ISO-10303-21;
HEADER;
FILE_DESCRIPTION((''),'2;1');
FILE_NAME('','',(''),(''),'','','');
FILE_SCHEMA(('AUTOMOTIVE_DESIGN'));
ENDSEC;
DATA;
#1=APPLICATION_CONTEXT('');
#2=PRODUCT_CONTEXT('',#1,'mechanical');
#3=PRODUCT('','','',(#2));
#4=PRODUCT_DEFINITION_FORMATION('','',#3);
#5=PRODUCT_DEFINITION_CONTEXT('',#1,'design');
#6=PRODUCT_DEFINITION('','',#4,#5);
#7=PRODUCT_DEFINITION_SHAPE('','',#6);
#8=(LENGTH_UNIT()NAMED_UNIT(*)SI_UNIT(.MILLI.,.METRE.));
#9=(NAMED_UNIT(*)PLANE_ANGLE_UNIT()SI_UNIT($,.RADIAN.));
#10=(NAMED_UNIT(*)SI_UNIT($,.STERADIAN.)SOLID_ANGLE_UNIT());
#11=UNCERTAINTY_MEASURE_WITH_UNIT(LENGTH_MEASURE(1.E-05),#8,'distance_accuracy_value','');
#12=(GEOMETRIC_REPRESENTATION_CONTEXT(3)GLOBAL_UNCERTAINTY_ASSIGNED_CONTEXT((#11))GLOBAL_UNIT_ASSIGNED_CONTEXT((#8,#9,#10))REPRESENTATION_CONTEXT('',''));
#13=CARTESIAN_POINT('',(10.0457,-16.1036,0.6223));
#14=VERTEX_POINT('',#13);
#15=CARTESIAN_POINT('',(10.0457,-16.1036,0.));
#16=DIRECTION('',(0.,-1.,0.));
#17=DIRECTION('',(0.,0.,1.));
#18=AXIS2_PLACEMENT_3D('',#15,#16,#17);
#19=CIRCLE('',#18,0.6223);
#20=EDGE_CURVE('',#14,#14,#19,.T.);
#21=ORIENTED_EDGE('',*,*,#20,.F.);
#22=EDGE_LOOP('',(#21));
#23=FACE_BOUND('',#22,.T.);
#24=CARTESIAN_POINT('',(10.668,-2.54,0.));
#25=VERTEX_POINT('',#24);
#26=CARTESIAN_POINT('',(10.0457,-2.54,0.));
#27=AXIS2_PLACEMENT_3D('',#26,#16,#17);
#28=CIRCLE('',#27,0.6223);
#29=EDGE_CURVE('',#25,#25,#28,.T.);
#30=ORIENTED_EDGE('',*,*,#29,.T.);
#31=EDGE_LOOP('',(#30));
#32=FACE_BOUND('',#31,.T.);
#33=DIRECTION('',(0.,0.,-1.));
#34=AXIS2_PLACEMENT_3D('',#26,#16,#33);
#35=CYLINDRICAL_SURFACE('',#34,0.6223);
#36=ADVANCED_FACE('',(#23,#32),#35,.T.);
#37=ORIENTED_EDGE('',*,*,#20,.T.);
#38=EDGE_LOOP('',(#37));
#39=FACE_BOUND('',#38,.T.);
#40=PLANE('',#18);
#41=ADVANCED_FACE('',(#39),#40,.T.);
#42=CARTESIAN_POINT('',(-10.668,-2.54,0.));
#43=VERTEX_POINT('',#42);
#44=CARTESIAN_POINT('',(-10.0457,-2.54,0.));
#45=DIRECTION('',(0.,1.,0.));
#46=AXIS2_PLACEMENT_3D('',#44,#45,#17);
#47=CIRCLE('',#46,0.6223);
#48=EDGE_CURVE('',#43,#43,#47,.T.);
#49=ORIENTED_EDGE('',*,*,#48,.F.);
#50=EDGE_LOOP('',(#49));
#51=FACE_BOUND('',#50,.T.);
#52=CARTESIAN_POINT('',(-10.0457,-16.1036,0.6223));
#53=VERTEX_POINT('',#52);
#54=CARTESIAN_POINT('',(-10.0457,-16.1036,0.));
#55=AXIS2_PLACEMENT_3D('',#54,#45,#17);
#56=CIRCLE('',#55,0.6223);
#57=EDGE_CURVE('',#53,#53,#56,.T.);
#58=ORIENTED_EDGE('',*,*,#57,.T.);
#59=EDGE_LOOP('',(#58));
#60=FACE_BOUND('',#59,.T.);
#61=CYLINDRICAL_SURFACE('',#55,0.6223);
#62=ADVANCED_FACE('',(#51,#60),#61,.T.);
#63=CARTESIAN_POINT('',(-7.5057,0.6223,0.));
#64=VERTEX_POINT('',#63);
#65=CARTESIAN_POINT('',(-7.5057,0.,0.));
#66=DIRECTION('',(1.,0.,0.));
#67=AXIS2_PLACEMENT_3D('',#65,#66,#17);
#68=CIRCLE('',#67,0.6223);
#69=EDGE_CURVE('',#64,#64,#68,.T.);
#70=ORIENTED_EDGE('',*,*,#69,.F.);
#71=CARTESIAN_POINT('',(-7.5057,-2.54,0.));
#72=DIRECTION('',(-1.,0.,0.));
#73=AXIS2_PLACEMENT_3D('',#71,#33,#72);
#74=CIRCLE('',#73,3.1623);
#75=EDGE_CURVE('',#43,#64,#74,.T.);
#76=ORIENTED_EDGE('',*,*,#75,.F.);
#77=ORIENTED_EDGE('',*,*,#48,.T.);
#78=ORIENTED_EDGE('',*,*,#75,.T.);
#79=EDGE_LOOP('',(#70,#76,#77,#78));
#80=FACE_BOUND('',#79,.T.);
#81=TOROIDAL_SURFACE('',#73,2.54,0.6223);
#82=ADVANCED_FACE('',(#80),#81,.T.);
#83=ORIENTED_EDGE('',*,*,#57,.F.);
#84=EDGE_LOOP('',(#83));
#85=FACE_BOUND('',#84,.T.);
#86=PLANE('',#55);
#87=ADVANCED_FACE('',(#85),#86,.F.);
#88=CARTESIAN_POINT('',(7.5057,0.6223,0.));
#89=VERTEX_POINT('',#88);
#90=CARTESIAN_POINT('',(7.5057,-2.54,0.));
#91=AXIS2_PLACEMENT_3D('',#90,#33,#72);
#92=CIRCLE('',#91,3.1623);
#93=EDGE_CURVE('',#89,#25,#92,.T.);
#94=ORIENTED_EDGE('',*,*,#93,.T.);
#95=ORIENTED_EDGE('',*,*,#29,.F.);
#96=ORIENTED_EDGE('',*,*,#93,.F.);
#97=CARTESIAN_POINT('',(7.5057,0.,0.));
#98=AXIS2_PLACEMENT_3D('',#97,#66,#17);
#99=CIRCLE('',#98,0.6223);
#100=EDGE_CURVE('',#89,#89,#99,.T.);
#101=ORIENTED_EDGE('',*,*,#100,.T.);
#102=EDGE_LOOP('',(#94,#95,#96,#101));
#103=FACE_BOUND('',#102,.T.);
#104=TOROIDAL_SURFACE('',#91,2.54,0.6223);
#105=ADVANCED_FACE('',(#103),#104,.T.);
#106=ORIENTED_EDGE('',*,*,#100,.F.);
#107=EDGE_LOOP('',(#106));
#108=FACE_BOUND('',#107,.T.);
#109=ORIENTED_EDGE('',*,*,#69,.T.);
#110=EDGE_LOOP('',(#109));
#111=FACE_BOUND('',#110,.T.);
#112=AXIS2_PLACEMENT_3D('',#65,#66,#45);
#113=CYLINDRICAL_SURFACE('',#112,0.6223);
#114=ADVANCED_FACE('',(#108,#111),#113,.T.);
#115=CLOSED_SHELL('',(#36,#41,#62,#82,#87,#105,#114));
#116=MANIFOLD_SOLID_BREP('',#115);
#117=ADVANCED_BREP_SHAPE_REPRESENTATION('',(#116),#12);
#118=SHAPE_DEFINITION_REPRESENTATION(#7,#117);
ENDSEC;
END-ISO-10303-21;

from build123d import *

# Parameters (mm, degrees)
SKETCH2_R = 0.6223


with BuildPart() as part:
    # Sweep1: sweep along a path in Sketch1
    with BuildLine(Plane.XY) as sweep1_path:
        Line((-10.0457, -16.1036), (-10.0457, -2.54))
        ThreePointArc((-10.0457, -2.54), (-9.301751224, -0.743948776), (-7.5057, 0))
        Line((-7.5057, 0), (7.5057, 0))
        ThreePointArc((7.5057, 0), (9.301751224, -0.743948776), (10.0457, -2.54))
        Line((10.0457, -2.54), (10.0457, -16.1036))
    # Sketch2 → Sweep1 (sweep)
    with BuildSketch(Plane(origin=(0, -16.1036, 0), x_dir=(1, 0, 0), z_dir=(0, 1, 0))):
        with Locations((-10.0457, 0)):
            Circle(SKETCH2_R)
    sweep(path=sweep1_path.line)


solid = part.part
